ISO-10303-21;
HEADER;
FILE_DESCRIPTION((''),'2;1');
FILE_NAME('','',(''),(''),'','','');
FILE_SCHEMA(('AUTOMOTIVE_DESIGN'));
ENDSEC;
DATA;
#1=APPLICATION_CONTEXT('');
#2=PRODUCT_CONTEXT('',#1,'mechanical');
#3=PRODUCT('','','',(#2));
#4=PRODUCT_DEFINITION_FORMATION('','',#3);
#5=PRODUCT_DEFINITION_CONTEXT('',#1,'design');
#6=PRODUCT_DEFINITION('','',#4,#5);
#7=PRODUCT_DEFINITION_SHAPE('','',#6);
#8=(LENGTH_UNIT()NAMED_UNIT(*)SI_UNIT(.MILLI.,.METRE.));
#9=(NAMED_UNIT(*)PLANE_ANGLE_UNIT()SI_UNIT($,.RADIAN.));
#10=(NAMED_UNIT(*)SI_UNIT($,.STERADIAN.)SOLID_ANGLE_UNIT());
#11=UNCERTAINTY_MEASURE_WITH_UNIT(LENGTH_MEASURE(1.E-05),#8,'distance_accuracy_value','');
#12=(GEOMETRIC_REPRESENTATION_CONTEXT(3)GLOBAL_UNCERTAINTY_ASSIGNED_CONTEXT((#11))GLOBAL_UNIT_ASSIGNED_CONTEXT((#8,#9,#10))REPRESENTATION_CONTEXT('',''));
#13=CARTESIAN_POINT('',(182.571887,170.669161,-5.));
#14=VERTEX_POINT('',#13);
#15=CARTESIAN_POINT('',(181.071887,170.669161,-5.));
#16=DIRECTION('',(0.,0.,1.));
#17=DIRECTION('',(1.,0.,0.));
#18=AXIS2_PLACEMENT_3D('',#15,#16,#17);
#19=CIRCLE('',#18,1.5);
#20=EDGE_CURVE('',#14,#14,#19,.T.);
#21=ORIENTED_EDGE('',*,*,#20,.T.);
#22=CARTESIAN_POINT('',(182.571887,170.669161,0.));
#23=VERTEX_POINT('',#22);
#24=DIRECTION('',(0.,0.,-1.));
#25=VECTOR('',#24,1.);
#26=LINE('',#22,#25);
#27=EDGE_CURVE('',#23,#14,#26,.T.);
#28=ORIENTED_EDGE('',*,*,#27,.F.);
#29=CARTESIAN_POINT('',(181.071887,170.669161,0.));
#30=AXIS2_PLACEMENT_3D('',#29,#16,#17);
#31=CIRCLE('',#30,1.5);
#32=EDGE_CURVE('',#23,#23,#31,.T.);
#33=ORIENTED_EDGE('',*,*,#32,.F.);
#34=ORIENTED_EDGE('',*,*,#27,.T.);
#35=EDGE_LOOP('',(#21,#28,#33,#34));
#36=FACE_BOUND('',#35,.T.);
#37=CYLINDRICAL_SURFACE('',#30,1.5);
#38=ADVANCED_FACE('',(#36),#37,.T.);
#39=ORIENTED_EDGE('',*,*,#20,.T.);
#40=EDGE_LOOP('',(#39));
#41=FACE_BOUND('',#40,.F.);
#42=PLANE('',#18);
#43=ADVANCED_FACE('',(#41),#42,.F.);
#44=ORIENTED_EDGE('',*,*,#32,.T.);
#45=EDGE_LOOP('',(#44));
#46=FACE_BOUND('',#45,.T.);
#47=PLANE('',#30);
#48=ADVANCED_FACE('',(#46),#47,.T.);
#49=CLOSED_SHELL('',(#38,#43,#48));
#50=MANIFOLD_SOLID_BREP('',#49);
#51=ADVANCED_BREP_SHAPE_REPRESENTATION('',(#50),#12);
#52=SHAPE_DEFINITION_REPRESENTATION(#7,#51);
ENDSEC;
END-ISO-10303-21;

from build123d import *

# Parameters (mm, degrees)
SKETCH1_R           = 1.5
BOSS_EXTRUDE1_DEPTH = 5


with BuildPart() as part:
    # Sketch1 → Boss-Extrude1 (new body)
    with BuildSketch(Plane.XY):
        with Locations((181.071886603, 170.669160633)):
            Circle(SKETCH1_R)
    extrude(amount=-BOSS_EXTRUDE1_DEPTH)


solid = part.part
